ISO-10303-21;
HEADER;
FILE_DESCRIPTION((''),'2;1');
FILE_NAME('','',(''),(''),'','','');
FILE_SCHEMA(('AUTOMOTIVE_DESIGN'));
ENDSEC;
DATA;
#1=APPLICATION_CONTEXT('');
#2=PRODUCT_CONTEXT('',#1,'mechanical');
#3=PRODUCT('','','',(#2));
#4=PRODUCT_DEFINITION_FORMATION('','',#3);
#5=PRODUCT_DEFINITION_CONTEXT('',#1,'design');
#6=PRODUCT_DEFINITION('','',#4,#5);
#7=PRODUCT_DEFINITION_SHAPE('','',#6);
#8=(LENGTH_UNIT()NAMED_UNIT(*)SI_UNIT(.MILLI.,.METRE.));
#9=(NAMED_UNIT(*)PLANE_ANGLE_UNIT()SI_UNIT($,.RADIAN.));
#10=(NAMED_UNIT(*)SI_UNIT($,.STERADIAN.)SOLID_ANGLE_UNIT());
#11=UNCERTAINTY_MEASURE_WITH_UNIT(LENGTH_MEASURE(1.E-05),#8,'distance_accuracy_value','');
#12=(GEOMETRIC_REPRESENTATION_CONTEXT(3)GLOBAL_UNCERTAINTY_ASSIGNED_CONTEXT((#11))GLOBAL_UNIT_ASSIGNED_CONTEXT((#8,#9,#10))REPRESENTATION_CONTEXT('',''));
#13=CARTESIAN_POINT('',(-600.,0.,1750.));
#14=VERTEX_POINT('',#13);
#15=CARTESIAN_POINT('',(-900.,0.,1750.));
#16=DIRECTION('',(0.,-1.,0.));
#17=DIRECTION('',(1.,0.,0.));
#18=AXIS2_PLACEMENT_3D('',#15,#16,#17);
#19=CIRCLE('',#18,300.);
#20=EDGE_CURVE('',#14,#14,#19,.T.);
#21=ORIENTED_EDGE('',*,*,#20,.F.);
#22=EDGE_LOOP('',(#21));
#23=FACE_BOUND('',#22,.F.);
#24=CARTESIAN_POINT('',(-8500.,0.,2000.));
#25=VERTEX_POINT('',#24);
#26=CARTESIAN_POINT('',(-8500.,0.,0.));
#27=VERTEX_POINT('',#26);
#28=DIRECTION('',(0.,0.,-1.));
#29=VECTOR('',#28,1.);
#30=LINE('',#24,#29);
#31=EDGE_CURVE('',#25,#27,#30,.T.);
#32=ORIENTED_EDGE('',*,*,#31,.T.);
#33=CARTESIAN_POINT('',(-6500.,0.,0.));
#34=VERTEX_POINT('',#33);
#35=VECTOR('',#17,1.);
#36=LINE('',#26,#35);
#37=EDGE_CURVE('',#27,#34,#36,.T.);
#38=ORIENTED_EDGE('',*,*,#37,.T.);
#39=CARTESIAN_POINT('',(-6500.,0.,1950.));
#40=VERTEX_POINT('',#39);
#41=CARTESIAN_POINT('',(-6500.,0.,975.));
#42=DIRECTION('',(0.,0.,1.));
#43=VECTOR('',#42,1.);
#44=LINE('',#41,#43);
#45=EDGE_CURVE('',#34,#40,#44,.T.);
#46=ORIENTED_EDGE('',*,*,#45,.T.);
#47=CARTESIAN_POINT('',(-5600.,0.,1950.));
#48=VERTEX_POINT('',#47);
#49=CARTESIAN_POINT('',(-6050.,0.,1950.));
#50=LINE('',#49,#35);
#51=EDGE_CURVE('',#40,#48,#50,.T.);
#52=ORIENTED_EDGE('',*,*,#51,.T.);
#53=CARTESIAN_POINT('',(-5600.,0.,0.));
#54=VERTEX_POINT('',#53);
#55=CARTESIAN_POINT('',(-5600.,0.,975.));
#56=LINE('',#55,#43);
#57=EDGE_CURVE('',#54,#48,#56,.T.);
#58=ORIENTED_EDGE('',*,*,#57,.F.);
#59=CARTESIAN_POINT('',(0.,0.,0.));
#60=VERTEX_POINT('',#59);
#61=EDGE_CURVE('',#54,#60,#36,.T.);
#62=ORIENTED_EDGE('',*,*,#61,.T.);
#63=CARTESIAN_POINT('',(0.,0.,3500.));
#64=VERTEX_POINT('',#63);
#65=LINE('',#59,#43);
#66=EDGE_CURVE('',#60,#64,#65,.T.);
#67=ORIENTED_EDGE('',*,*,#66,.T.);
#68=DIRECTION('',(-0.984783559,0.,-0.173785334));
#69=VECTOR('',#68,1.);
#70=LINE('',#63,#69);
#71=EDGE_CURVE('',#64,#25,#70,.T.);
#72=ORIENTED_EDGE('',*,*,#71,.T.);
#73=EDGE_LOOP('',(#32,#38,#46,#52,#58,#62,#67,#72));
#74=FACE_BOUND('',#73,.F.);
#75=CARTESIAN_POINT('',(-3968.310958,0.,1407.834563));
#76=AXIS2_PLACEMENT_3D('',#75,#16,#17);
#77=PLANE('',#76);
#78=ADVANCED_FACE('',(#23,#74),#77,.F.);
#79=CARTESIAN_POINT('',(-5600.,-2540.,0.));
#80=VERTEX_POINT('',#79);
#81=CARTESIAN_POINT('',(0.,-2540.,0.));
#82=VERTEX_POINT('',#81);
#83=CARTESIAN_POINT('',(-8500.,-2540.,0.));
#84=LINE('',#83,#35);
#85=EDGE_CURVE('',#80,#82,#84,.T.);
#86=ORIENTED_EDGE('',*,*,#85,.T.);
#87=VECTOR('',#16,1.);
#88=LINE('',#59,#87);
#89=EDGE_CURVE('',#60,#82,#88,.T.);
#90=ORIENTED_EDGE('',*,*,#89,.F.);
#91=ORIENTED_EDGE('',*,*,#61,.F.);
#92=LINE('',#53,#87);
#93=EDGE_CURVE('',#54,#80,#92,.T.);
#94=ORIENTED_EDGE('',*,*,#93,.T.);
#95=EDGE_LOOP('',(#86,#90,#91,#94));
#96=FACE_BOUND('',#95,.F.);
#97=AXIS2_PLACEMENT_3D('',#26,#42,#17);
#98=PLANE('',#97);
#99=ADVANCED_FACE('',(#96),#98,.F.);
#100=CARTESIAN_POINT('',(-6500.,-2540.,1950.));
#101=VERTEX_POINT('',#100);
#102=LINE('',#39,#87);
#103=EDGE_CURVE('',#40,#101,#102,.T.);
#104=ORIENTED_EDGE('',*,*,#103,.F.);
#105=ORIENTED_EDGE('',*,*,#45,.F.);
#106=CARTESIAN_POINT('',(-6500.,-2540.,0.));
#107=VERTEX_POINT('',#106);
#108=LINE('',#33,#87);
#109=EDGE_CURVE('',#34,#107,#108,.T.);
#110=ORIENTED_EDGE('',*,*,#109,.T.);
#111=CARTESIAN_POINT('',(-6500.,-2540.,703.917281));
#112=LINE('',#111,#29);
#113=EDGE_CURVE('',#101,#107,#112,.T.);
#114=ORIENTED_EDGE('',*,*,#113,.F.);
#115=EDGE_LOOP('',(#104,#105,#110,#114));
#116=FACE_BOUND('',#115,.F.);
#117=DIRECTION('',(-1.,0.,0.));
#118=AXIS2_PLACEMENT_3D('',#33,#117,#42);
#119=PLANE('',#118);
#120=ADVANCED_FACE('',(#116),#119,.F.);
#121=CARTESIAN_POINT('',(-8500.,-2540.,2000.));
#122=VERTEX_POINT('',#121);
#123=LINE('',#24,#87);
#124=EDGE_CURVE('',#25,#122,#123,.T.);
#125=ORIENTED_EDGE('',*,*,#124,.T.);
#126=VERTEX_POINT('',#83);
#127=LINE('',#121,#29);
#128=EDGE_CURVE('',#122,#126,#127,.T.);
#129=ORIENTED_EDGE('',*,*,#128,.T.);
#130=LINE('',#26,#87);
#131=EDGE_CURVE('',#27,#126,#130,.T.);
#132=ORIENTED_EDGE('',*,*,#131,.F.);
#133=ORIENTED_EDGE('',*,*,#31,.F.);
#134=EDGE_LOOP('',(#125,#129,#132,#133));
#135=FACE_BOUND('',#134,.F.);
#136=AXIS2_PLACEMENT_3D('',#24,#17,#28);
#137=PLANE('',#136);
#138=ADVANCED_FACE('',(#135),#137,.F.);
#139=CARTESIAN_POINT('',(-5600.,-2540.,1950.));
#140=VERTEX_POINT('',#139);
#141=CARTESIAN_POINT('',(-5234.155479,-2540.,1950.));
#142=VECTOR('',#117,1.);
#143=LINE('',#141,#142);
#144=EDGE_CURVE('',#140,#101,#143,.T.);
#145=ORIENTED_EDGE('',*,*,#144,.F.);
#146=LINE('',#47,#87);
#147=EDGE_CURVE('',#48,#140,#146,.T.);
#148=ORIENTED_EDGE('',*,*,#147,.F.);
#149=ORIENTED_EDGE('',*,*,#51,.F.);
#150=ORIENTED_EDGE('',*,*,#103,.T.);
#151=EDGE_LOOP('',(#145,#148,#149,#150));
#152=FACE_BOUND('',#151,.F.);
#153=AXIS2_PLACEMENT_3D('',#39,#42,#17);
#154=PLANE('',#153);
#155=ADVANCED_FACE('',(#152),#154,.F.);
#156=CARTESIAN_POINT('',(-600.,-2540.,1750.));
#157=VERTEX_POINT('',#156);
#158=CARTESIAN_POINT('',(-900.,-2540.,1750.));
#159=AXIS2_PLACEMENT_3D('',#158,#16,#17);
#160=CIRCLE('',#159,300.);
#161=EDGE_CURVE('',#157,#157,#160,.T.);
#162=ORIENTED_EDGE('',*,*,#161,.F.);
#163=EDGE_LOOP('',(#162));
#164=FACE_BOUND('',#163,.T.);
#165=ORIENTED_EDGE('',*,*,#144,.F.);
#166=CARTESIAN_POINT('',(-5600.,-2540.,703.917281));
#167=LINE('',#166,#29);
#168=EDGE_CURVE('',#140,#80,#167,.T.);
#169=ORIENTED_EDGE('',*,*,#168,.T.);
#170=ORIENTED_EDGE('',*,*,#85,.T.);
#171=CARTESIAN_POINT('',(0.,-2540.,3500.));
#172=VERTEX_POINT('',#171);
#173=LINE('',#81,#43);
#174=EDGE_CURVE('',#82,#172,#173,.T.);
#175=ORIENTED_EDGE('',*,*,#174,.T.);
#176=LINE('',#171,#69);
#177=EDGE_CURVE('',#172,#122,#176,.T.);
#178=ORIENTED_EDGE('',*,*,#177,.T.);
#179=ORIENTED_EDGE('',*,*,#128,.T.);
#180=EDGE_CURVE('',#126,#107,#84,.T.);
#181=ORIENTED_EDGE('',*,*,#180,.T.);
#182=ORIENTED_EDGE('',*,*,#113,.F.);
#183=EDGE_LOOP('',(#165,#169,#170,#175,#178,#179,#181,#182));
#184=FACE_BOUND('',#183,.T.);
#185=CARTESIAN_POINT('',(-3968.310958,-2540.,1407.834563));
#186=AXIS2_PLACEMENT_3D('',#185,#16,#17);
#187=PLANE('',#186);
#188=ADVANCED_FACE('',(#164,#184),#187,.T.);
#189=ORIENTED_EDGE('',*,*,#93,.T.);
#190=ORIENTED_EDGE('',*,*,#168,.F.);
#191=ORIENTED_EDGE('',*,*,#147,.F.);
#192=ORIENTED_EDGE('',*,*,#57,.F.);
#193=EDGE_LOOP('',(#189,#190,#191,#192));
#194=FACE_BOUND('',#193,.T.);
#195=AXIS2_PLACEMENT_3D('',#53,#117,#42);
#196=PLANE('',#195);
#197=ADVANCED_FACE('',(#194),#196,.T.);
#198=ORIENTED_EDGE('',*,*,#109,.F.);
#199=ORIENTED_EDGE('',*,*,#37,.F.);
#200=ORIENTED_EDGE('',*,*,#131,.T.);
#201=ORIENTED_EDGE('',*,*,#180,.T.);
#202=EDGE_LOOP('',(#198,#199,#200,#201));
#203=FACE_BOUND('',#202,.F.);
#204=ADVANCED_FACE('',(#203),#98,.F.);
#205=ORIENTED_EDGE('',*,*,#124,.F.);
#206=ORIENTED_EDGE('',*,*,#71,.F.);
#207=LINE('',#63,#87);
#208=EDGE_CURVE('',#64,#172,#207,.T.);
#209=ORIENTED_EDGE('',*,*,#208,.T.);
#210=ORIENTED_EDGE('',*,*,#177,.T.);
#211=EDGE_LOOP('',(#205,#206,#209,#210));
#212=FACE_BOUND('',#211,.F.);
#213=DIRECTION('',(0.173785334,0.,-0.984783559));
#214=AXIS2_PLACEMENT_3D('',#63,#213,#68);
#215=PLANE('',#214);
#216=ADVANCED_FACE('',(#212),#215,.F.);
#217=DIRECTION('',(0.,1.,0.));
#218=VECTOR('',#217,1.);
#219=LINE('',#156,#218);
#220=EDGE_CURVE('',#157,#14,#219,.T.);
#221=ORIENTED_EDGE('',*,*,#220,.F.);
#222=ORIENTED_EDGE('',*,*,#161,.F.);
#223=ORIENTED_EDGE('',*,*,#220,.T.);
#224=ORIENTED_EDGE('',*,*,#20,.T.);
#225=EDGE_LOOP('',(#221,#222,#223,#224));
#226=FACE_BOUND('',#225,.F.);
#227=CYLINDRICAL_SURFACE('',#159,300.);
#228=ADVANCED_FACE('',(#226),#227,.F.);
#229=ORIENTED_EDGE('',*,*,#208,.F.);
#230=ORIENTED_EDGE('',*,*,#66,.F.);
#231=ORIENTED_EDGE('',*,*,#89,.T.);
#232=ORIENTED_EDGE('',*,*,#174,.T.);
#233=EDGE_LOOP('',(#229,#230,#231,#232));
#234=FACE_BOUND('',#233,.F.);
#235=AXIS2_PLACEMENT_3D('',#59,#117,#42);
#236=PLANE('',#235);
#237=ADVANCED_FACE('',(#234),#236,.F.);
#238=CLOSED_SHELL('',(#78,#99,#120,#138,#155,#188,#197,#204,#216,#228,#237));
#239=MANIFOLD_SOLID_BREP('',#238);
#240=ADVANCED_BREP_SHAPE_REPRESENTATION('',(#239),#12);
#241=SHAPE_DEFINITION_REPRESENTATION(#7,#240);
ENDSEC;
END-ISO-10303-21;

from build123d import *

# Parameters (mm, degrees)
F2_DEPTH = 2540
F1_W     = 900
F1_H     = 1950
F3_DEPTH = 2540.001
F4_R     = 300
F5_DEPTH = 2540.001


with BuildPart() as f2:
    # F0 (on Front) → F2 (new body)
    with BuildSketch(Plane.XZ):
        Polygon((-8500, 0), (0, 0), (0, 3500), (-8500, 2000), align=None)
    extrude(amount=F2_DEPTH)

    # F1 (on face) → F3 (cut, through all)
    with BuildSketch(Plane.XZ):
        with Locations((-6050, 975)):
            Rectangle(F1_W, F1_H)
    extrude(amount=F3_DEPTH, mode=Mode.SUBTRACT)

    # F4 (on face) → F5 (cut, through all)
    with BuildSketch(Plane.XZ.offset(2540)):
        with Locations((-900, 1750)):
            Circle(F4_R)
    extrude(amount=-F5_DEPTH, mode=Mode.SUBTRACT)


solid = f2.part
